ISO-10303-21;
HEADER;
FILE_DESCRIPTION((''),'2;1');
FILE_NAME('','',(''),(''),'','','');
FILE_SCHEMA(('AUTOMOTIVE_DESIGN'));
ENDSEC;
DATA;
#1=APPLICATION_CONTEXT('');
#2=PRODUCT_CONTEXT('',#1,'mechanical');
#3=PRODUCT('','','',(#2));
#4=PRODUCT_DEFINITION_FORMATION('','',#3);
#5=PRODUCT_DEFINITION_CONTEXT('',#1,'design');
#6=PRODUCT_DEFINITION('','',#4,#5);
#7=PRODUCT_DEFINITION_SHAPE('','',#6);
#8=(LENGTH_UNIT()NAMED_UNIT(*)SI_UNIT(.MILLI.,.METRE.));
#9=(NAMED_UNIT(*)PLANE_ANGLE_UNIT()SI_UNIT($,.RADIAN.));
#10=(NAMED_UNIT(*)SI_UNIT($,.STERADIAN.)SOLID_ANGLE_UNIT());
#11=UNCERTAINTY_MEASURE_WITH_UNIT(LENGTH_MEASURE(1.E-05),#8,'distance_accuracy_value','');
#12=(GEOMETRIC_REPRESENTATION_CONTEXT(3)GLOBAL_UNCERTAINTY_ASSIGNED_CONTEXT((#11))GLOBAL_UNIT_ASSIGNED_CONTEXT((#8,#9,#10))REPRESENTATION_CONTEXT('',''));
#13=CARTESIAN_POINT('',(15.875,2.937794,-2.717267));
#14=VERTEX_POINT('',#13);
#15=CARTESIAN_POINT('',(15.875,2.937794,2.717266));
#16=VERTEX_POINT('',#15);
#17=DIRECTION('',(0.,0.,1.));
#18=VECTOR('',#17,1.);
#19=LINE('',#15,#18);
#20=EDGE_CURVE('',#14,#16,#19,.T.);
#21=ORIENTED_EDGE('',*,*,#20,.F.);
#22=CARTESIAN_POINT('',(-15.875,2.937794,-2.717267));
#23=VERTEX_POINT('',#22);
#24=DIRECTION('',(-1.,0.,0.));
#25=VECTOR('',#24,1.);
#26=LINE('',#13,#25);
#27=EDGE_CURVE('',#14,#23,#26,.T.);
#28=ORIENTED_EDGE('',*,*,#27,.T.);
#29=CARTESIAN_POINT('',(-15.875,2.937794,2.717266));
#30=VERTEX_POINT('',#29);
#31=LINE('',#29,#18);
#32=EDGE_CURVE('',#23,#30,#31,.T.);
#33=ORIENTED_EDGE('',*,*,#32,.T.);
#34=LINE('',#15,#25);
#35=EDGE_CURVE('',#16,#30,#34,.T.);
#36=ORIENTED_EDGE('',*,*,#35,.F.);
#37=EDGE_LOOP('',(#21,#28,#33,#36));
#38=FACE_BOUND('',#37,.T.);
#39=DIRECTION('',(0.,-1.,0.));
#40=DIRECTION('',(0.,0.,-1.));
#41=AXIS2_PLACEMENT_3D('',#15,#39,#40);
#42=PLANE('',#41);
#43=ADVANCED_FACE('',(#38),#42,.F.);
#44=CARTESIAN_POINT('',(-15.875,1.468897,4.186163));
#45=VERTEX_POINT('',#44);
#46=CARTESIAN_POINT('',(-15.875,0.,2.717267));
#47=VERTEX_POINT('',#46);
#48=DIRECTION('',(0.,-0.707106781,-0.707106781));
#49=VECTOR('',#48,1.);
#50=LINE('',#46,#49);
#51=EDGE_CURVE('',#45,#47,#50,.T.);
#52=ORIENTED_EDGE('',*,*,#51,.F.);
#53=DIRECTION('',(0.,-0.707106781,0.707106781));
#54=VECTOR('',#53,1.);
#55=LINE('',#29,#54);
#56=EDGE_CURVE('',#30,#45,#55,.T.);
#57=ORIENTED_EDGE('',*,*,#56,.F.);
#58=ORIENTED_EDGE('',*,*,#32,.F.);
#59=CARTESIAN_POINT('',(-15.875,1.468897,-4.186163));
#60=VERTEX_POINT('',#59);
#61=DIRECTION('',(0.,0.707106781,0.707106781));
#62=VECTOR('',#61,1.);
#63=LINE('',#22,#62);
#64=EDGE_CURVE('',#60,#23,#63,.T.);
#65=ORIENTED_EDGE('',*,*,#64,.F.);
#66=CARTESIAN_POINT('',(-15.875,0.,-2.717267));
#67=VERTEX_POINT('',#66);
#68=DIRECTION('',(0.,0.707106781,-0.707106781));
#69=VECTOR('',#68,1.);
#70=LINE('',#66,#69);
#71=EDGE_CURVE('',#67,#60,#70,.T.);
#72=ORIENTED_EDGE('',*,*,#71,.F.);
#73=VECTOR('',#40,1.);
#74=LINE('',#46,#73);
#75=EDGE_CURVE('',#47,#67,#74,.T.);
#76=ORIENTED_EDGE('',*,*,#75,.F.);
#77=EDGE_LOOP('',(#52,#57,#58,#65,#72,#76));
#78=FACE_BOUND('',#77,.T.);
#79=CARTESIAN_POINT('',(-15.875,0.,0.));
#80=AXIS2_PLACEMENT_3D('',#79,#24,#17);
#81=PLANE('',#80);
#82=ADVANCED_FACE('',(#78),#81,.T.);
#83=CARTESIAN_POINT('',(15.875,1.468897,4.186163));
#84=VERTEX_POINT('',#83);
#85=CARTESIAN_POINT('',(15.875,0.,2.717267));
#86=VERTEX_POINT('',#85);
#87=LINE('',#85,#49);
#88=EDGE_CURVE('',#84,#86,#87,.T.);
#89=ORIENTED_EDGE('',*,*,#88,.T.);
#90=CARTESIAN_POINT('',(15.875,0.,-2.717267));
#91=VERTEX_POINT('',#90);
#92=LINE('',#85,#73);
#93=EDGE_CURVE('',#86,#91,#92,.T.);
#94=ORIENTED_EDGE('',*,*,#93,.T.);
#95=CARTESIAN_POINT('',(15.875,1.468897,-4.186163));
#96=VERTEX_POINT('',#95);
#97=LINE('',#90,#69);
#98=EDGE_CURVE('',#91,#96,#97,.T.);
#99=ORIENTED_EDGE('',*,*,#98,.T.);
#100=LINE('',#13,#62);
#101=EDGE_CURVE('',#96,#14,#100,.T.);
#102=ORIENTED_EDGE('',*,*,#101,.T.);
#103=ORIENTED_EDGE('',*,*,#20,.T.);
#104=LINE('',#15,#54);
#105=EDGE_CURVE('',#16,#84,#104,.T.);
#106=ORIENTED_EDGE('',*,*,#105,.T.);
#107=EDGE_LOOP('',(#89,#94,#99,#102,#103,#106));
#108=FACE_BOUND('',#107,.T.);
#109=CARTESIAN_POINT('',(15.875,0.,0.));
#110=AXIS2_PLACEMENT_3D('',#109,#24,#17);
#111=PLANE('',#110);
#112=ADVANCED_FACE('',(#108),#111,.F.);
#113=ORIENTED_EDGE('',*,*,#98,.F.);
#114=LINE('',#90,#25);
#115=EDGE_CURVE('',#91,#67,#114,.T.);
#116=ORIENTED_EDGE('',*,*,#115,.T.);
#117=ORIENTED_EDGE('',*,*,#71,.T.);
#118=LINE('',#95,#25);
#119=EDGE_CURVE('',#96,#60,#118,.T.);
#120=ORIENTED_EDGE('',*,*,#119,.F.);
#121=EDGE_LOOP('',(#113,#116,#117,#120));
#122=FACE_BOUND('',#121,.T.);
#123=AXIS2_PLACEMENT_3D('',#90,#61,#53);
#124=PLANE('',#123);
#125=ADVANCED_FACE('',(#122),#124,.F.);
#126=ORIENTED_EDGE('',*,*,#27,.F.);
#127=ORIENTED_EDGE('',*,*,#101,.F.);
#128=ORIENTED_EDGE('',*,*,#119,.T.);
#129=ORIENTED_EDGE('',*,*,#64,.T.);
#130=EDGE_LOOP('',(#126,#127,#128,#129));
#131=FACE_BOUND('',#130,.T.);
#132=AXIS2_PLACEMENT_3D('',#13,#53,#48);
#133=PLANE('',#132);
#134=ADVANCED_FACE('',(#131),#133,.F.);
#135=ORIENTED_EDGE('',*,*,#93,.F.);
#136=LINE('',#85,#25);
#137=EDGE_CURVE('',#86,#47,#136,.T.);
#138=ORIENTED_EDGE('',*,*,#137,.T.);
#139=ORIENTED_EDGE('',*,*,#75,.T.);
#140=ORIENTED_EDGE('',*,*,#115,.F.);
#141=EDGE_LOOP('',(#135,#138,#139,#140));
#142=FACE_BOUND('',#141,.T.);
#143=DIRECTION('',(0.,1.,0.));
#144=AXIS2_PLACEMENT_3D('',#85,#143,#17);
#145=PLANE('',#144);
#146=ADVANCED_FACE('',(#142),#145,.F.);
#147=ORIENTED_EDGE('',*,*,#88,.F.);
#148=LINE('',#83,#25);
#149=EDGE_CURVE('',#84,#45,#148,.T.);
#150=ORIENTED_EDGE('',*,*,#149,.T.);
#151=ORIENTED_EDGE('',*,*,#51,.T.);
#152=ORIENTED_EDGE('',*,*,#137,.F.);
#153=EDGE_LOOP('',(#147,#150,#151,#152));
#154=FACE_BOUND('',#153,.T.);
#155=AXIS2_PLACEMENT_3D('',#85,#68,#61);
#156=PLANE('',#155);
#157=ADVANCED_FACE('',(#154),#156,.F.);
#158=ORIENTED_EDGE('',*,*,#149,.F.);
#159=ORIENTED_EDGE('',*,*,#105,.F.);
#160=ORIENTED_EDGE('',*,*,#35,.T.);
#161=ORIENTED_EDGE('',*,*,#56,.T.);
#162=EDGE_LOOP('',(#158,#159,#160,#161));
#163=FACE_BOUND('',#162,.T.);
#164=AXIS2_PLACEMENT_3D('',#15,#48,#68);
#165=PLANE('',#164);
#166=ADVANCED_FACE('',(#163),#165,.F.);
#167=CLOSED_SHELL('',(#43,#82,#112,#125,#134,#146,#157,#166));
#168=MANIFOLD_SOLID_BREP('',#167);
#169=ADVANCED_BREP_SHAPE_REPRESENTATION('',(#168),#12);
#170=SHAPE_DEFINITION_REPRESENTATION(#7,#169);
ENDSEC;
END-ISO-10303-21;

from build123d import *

# Parameters (mm, degrees)
BOSS_EXTRUDE1_DEPTH = 15.875


with BuildPart() as part:
    # Sketch2 → Boss-Extrude1 (new, symmetric)
    with BuildSketch(Plane(origin=(0, 0, 0), x_dir=(0, 0, -1), z_dir=(1, 0, 0))):
        Polygon((-2.7172665, 2.937793595), (-4.186163298, 1.468896798), (-2.7172665, 0), (2.7172665, 0), (4.186163298, 1.468896798), (2.7172665, 2.937793595), align=None)
    extrude(amount=BOSS_EXTRUDE1_DEPTH, both=True)


solid = part.part
